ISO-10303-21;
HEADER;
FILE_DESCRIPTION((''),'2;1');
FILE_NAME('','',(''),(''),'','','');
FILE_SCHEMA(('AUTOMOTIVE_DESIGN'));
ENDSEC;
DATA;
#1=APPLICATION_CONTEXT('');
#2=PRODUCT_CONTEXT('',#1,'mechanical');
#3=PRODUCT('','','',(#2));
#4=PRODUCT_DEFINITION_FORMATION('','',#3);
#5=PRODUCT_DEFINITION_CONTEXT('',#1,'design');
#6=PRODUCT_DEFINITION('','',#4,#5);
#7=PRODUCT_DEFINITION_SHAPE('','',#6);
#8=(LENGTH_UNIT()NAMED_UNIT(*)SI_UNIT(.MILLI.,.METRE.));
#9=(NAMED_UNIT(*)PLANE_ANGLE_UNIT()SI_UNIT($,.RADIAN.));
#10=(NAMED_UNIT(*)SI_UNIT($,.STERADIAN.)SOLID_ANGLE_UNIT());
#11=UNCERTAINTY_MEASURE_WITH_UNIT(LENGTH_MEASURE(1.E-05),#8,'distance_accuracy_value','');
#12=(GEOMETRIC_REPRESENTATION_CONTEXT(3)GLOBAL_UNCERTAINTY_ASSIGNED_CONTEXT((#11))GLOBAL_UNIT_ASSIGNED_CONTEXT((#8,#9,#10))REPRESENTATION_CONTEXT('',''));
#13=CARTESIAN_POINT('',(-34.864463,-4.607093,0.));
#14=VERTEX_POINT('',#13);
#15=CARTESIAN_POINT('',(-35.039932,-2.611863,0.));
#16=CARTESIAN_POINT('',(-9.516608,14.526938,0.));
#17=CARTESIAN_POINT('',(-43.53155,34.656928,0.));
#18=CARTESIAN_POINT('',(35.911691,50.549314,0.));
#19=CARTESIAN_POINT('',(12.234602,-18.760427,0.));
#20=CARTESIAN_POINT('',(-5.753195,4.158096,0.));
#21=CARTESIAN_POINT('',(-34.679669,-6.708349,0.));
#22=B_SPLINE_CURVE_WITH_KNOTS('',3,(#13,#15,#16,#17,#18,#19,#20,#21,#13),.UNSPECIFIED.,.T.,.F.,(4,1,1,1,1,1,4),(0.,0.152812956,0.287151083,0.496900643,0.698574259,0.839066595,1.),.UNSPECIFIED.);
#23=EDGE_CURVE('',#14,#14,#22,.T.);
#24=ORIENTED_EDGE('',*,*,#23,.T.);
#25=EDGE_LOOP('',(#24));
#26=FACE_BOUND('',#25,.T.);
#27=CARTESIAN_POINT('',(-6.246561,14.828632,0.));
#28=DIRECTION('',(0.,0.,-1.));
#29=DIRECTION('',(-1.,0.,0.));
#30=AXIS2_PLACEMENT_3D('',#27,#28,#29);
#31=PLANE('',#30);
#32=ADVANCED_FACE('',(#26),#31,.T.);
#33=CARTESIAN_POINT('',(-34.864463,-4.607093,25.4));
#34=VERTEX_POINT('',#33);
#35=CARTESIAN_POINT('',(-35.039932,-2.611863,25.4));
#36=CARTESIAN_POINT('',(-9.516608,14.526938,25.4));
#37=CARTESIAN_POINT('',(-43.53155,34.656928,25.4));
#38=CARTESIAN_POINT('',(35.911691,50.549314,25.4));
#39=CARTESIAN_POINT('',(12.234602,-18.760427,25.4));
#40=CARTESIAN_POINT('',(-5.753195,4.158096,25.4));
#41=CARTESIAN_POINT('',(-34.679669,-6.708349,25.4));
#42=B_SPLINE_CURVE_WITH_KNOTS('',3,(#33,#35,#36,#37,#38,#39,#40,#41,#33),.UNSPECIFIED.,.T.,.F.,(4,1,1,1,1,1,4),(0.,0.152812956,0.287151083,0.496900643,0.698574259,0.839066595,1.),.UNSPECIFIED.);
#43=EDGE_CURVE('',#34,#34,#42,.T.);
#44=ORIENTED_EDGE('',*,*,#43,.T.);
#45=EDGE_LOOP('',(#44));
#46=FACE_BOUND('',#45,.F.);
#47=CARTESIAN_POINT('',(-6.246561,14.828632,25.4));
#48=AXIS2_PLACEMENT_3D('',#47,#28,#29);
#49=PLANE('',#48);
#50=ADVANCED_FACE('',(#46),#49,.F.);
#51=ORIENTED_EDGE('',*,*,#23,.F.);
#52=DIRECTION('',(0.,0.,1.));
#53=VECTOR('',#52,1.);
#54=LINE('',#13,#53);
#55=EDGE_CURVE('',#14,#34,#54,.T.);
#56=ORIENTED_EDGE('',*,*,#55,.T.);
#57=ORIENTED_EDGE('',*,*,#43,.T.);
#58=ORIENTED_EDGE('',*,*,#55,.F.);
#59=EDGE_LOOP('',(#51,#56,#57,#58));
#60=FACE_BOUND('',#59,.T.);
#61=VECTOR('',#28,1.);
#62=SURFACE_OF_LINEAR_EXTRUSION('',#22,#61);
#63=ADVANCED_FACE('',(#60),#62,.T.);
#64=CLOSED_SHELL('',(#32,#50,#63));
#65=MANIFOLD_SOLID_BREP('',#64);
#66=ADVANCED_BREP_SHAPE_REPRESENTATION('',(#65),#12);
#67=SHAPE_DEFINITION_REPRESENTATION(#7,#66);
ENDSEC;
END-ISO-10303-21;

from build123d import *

# Parameters (mm, degrees)
F1_DEPTH = 25.4


with BuildPart() as f1:
    # F0 (on Top) → F1 (new body)
    with BuildSketch(Plane.XY):
        with BuildLine():
            add(Edge.make_bspline(
                [(-34.8644629121, -4.6070930548), (-35.0399323271, -2.611863267), (-9.5166080459, 14.5269384584), (-43.5315496108, 34.6569282674), (35.9116914828, 50.5493136382), (12.2346017087, -18.760426683), (-5.7531945274, 4.158095685), (-34.6796690887, -6.7083489407), (-34.8644629121, -4.6070930548)],
                knots=[0, 0, 0, 0, 0.1528129561, 0.287151083, 0.4969006433, 0.6985742586, 0.839066595, 1, 1, 1, 1], degree=3))
        make_face()
    extrude(amount=F1_DEPTH)


solid = f1.part
